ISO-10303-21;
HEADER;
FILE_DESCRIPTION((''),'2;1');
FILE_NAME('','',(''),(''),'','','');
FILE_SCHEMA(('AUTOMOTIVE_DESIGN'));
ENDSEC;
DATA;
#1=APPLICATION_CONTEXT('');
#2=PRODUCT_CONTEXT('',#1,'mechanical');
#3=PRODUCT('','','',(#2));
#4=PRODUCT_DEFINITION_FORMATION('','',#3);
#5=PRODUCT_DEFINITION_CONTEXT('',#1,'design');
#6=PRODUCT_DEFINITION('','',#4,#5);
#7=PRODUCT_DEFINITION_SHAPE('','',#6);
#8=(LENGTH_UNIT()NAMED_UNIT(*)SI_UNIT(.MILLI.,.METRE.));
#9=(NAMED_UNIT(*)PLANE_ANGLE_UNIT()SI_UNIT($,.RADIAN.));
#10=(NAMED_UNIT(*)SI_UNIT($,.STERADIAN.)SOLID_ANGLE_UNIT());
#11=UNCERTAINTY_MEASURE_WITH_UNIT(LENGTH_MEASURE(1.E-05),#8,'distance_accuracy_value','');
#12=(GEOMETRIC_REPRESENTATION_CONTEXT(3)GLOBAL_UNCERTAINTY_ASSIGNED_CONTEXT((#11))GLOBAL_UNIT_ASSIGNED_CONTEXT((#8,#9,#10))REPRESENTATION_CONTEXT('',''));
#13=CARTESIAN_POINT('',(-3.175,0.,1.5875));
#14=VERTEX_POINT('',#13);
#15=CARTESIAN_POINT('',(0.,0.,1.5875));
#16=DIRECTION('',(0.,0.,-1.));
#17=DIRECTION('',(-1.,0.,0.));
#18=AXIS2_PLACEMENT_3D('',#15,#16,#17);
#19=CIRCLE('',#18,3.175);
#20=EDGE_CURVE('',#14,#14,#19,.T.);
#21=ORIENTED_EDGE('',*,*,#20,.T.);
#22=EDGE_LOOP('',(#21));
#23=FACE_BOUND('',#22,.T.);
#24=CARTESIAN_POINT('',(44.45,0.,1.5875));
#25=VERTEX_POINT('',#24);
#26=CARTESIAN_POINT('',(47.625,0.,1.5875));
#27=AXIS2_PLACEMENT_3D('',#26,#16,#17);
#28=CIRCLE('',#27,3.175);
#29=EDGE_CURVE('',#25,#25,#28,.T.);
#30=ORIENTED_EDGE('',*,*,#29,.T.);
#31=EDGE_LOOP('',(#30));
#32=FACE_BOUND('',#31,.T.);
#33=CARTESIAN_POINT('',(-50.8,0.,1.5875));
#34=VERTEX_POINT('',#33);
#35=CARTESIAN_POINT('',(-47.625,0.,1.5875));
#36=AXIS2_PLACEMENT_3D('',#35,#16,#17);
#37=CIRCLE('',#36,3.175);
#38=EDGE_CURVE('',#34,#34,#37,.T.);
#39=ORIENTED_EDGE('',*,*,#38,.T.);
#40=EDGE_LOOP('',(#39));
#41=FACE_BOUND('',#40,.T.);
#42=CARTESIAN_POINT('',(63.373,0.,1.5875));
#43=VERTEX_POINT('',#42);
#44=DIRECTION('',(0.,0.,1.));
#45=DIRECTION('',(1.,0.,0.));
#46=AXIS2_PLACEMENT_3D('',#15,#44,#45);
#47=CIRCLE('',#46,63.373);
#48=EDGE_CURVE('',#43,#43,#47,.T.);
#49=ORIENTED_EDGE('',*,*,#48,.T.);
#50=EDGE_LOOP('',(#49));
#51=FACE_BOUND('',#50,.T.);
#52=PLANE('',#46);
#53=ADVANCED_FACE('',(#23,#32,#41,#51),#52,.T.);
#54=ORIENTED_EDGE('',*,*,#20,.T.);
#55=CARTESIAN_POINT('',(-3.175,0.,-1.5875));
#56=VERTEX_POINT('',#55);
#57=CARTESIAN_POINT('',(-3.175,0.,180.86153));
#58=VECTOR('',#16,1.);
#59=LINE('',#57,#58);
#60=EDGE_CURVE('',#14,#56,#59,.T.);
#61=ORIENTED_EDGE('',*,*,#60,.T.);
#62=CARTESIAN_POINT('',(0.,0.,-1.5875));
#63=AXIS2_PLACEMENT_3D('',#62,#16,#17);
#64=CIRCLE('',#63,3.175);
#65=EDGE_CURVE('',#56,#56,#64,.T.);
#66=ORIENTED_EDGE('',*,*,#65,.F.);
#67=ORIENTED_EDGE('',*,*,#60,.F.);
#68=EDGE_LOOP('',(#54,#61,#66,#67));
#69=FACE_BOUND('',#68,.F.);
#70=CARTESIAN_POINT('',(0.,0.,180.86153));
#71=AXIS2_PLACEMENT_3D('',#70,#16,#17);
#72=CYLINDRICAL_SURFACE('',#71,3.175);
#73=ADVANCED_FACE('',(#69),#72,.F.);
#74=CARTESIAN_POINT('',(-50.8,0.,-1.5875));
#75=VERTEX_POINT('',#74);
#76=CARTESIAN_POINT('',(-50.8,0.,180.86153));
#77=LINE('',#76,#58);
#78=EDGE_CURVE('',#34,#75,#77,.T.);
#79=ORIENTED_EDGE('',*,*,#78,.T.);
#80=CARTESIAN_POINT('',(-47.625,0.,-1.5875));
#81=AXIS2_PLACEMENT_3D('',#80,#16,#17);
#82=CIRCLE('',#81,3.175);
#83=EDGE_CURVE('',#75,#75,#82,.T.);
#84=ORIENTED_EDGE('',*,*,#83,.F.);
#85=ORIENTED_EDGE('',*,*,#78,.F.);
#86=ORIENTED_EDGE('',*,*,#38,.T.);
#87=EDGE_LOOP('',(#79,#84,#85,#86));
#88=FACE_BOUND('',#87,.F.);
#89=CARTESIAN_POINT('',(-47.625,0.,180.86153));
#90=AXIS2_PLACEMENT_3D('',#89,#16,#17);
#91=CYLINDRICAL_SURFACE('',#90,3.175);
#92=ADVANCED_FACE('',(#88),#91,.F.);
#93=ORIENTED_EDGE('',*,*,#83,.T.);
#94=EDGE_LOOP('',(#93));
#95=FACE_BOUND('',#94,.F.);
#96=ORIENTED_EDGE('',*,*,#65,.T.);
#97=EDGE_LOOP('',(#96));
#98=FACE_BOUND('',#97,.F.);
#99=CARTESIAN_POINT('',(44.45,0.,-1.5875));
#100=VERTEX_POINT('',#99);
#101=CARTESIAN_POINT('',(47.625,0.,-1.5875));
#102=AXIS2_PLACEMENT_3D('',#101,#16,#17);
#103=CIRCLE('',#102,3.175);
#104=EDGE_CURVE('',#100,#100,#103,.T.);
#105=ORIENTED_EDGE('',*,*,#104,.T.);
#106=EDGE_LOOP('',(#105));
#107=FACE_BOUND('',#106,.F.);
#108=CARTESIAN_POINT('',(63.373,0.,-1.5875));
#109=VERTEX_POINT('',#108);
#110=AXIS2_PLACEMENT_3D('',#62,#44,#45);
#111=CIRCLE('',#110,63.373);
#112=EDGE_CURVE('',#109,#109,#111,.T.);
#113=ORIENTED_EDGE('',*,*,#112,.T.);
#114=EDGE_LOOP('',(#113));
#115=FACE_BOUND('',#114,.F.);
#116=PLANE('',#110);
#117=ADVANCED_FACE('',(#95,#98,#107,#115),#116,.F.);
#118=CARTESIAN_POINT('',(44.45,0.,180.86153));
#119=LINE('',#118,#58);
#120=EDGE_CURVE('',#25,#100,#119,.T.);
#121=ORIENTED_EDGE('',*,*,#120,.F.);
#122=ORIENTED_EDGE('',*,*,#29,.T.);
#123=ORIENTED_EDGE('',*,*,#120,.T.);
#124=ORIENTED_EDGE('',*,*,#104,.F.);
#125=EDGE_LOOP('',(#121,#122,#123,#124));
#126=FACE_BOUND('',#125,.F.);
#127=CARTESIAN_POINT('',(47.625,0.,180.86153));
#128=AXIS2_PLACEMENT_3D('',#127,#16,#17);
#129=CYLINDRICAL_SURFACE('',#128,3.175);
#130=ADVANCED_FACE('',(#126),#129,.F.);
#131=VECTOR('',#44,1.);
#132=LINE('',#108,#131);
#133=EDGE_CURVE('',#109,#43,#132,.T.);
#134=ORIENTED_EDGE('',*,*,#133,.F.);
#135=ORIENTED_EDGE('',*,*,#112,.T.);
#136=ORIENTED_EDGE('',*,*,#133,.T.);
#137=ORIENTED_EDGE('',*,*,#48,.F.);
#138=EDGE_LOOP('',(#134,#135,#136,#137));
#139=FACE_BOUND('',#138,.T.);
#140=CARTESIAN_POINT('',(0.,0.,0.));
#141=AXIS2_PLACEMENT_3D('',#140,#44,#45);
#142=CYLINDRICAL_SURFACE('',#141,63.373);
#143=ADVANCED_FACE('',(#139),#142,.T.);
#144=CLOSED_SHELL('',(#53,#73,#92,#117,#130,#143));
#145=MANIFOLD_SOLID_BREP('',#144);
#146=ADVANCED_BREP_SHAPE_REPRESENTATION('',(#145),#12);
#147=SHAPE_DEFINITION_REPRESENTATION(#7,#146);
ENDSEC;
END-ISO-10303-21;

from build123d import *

# Parameters (mm, degrees)
SKETCH1_R                   = 63.373
BOSS_EXTRUDE1_DEPTH         = 1.5875
F_1_4_0_25_DIAMETER_HOLE1_D = 6.35


with BuildPart() as part:
    # Sketch1 → Boss-Extrude1 (new body, symmetric)
    with BuildSketch(Plane.XY):
        Circle(SKETCH1_R)
    extrude(amount=BOSS_EXTRUDE1_DEPTH, both=True)

    # 1/4 (0.25) Diameter Hole1 (through all)
    with Locations(Plane.XY.offset(1.5875)):
        with Locations((-47.625, 0), (0, 0), (47.625, 0)):
            Hole(F_1_4_0_25_DIAMETER_HOLE1_D / 2)


solid = part.part
